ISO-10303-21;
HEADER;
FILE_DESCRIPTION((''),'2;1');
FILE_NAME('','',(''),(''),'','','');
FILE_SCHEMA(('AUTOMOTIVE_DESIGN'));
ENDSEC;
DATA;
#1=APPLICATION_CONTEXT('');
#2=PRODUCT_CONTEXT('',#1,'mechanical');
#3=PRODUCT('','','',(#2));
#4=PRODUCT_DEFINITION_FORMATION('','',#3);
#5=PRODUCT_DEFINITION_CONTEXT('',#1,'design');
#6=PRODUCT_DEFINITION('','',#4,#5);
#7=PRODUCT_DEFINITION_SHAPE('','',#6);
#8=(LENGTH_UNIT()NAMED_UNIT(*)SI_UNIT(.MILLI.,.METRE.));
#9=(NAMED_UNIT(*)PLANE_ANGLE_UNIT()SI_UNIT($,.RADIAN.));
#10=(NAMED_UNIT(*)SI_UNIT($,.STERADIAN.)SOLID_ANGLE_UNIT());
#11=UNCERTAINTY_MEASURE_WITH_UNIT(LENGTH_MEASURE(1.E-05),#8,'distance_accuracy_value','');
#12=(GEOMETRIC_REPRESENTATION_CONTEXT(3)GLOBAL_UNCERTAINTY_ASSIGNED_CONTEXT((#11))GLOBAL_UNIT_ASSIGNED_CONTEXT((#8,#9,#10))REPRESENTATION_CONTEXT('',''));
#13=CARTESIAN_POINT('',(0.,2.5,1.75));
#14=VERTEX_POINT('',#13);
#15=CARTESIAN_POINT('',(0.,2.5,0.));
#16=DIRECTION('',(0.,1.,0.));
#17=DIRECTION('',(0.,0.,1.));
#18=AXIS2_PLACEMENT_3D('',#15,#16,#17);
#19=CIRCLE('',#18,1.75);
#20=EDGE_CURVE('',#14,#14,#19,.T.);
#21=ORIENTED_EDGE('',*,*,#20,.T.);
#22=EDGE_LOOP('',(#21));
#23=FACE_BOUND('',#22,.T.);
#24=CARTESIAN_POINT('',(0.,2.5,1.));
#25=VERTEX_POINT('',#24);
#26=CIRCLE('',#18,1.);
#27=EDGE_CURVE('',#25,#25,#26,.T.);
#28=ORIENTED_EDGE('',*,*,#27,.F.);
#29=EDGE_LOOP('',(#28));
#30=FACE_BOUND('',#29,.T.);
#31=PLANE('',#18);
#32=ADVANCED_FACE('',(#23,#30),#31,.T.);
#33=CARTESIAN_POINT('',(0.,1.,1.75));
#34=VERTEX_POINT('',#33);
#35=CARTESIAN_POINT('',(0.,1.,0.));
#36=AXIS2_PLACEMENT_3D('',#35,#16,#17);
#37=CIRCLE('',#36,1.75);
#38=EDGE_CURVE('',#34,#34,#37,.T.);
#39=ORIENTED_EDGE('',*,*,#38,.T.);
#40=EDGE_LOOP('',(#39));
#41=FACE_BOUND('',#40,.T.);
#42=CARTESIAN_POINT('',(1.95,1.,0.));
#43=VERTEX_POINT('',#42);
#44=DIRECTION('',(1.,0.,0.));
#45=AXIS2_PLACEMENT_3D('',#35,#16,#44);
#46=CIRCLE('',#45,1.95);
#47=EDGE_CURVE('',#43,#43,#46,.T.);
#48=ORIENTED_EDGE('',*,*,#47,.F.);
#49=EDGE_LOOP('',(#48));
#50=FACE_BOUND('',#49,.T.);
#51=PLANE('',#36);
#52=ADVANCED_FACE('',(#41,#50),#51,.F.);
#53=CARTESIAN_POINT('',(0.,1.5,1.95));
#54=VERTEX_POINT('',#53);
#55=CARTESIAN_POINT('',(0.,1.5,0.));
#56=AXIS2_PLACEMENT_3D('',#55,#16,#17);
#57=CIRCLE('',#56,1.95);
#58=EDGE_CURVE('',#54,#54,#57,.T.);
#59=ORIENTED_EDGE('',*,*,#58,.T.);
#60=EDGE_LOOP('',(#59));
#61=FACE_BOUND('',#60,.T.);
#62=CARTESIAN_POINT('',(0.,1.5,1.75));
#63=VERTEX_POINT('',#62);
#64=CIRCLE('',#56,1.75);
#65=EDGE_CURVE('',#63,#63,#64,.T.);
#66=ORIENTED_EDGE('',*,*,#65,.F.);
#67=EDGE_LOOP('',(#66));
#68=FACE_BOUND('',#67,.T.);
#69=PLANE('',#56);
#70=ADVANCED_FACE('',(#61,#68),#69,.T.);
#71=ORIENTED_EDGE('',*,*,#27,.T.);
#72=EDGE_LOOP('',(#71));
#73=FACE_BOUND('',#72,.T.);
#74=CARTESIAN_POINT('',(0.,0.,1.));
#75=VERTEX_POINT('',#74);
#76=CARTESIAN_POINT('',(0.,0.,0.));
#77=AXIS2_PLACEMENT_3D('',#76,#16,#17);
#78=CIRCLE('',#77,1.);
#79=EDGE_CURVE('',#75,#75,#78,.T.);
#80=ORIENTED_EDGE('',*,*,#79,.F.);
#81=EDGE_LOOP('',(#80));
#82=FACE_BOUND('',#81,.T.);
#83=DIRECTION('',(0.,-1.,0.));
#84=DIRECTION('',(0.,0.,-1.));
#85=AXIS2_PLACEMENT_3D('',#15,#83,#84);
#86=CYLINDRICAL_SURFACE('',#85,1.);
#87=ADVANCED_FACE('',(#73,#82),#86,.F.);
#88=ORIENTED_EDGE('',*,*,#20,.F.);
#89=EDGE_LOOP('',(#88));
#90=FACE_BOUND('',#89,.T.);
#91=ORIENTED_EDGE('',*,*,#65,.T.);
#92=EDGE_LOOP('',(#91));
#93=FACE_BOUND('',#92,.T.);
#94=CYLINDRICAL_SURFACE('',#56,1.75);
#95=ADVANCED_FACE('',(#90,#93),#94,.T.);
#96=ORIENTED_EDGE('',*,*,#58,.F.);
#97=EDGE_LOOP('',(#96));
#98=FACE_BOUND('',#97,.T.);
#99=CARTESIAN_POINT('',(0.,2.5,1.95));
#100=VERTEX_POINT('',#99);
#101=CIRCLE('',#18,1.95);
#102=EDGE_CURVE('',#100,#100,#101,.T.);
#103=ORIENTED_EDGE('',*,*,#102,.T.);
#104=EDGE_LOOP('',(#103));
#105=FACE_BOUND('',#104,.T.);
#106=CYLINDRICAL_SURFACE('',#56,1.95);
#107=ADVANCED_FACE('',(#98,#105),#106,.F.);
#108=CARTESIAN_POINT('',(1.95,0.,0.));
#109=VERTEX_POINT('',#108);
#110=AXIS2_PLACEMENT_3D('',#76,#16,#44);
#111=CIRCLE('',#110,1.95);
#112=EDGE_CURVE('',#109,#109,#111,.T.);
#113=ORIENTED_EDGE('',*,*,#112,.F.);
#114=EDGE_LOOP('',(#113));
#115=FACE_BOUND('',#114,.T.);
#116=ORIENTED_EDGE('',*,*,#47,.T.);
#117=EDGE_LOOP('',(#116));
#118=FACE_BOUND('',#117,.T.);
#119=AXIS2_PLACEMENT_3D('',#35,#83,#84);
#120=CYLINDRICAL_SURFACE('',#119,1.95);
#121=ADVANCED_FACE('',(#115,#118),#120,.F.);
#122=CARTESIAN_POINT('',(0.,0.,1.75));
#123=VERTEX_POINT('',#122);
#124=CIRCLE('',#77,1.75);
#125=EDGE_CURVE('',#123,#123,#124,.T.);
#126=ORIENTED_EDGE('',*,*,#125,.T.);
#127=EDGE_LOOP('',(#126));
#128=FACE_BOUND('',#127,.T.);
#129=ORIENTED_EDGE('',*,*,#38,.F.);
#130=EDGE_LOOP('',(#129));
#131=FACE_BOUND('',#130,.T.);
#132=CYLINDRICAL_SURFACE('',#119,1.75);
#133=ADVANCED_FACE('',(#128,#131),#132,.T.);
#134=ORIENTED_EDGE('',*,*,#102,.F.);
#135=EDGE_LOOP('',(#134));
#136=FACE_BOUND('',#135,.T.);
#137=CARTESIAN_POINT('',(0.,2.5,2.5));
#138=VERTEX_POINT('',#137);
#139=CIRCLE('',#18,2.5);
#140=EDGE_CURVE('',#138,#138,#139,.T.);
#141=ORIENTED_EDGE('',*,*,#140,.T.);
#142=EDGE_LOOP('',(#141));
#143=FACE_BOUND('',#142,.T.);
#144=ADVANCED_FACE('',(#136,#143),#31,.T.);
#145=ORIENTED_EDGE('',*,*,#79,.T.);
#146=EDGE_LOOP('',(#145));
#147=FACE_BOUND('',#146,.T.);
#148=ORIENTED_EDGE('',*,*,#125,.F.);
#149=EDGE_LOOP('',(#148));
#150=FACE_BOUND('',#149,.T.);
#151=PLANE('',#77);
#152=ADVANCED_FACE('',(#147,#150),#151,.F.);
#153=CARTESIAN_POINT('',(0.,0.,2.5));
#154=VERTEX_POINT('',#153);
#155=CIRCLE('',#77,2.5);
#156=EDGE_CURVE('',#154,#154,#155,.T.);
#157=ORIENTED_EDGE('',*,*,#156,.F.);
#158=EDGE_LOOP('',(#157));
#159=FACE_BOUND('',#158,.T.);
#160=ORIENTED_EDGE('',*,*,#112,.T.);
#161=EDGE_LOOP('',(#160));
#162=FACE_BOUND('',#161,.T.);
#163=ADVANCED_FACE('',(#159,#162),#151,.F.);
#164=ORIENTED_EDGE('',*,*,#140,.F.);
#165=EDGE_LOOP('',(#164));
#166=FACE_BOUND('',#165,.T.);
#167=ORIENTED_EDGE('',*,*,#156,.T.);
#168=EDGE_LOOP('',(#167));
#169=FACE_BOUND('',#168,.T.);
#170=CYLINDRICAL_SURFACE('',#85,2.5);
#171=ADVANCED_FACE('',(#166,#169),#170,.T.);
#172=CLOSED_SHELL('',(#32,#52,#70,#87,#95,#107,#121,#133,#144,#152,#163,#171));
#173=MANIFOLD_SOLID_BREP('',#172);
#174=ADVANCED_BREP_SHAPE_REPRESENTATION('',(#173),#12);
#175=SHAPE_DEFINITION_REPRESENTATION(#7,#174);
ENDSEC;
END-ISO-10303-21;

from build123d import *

# Parameters (mm, degrees)
SKETCH_1_R          = 2.5
SKETCH_1_R_2        = 1
EXTRUDE_1_DEPTH     = 2.5
SKETCH_1_3_R        = 1.95
SKETCH_1_3_R_2      = 1.75
CUT_EXTRUDE_1_DEPTH = 1
CUT_EXTRUDE_START   = 1.5
SKETCH_1_4_R        = 1.95
SKETCH_1_4_R_2      = 1.75
CUT_EXTRUDE_2_DEPTH = 1


with BuildPart() as part:
    # 草图1 → 凸台-拉伸1 (new body)
    with BuildSketch(Plane(origin=(0, 0, 0), x_dir=(1, 0, 0), z_dir=(0, 1, 0))):
        with Locations(Location((0, 0, 0), (0, 0, 270))):
            Circle(SKETCH_1_R)
        with Locations(Location((0, 0, 0), (0, 0, 270))):
            Circle(SKETCH_1_R_2, mode=Mode.SUBTRACT)
    extrude(amount=EXTRUDE_1_DEPTH)

    # 草图1<3> → 切除-拉伸-薄壁1 (cut)
    with BuildSketch(Plane(origin=(0, 0, 0), x_dir=(1, 0, 0), z_dir=(0, 1, 0))):
        Circle(SKETCH_1_3_R)
        Circle(SKETCH_1_3_R_2, mode=Mode.SUBTRACT)
    extrude(amount=CUT_EXTRUDE_1_DEPTH, mode=Mode.SUBTRACT)

    # 草图1<4> → 切除-拉伸-薄壁2 (cut)
    with BuildSketch(Plane(origin=(0, 0, 0), x_dir=(1, 0, 0), z_dir=(0, 1, 0)).offset(CUT_EXTRUDE_START)):
        Circle(SKETCH_1_4_R)
        Circle(SKETCH_1_4_R_2, mode=Mode.SUBTRACT)
    extrude(amount=CUT_EXTRUDE_2_DEPTH, mode=Mode.SUBTRACT)


solid = part.part
